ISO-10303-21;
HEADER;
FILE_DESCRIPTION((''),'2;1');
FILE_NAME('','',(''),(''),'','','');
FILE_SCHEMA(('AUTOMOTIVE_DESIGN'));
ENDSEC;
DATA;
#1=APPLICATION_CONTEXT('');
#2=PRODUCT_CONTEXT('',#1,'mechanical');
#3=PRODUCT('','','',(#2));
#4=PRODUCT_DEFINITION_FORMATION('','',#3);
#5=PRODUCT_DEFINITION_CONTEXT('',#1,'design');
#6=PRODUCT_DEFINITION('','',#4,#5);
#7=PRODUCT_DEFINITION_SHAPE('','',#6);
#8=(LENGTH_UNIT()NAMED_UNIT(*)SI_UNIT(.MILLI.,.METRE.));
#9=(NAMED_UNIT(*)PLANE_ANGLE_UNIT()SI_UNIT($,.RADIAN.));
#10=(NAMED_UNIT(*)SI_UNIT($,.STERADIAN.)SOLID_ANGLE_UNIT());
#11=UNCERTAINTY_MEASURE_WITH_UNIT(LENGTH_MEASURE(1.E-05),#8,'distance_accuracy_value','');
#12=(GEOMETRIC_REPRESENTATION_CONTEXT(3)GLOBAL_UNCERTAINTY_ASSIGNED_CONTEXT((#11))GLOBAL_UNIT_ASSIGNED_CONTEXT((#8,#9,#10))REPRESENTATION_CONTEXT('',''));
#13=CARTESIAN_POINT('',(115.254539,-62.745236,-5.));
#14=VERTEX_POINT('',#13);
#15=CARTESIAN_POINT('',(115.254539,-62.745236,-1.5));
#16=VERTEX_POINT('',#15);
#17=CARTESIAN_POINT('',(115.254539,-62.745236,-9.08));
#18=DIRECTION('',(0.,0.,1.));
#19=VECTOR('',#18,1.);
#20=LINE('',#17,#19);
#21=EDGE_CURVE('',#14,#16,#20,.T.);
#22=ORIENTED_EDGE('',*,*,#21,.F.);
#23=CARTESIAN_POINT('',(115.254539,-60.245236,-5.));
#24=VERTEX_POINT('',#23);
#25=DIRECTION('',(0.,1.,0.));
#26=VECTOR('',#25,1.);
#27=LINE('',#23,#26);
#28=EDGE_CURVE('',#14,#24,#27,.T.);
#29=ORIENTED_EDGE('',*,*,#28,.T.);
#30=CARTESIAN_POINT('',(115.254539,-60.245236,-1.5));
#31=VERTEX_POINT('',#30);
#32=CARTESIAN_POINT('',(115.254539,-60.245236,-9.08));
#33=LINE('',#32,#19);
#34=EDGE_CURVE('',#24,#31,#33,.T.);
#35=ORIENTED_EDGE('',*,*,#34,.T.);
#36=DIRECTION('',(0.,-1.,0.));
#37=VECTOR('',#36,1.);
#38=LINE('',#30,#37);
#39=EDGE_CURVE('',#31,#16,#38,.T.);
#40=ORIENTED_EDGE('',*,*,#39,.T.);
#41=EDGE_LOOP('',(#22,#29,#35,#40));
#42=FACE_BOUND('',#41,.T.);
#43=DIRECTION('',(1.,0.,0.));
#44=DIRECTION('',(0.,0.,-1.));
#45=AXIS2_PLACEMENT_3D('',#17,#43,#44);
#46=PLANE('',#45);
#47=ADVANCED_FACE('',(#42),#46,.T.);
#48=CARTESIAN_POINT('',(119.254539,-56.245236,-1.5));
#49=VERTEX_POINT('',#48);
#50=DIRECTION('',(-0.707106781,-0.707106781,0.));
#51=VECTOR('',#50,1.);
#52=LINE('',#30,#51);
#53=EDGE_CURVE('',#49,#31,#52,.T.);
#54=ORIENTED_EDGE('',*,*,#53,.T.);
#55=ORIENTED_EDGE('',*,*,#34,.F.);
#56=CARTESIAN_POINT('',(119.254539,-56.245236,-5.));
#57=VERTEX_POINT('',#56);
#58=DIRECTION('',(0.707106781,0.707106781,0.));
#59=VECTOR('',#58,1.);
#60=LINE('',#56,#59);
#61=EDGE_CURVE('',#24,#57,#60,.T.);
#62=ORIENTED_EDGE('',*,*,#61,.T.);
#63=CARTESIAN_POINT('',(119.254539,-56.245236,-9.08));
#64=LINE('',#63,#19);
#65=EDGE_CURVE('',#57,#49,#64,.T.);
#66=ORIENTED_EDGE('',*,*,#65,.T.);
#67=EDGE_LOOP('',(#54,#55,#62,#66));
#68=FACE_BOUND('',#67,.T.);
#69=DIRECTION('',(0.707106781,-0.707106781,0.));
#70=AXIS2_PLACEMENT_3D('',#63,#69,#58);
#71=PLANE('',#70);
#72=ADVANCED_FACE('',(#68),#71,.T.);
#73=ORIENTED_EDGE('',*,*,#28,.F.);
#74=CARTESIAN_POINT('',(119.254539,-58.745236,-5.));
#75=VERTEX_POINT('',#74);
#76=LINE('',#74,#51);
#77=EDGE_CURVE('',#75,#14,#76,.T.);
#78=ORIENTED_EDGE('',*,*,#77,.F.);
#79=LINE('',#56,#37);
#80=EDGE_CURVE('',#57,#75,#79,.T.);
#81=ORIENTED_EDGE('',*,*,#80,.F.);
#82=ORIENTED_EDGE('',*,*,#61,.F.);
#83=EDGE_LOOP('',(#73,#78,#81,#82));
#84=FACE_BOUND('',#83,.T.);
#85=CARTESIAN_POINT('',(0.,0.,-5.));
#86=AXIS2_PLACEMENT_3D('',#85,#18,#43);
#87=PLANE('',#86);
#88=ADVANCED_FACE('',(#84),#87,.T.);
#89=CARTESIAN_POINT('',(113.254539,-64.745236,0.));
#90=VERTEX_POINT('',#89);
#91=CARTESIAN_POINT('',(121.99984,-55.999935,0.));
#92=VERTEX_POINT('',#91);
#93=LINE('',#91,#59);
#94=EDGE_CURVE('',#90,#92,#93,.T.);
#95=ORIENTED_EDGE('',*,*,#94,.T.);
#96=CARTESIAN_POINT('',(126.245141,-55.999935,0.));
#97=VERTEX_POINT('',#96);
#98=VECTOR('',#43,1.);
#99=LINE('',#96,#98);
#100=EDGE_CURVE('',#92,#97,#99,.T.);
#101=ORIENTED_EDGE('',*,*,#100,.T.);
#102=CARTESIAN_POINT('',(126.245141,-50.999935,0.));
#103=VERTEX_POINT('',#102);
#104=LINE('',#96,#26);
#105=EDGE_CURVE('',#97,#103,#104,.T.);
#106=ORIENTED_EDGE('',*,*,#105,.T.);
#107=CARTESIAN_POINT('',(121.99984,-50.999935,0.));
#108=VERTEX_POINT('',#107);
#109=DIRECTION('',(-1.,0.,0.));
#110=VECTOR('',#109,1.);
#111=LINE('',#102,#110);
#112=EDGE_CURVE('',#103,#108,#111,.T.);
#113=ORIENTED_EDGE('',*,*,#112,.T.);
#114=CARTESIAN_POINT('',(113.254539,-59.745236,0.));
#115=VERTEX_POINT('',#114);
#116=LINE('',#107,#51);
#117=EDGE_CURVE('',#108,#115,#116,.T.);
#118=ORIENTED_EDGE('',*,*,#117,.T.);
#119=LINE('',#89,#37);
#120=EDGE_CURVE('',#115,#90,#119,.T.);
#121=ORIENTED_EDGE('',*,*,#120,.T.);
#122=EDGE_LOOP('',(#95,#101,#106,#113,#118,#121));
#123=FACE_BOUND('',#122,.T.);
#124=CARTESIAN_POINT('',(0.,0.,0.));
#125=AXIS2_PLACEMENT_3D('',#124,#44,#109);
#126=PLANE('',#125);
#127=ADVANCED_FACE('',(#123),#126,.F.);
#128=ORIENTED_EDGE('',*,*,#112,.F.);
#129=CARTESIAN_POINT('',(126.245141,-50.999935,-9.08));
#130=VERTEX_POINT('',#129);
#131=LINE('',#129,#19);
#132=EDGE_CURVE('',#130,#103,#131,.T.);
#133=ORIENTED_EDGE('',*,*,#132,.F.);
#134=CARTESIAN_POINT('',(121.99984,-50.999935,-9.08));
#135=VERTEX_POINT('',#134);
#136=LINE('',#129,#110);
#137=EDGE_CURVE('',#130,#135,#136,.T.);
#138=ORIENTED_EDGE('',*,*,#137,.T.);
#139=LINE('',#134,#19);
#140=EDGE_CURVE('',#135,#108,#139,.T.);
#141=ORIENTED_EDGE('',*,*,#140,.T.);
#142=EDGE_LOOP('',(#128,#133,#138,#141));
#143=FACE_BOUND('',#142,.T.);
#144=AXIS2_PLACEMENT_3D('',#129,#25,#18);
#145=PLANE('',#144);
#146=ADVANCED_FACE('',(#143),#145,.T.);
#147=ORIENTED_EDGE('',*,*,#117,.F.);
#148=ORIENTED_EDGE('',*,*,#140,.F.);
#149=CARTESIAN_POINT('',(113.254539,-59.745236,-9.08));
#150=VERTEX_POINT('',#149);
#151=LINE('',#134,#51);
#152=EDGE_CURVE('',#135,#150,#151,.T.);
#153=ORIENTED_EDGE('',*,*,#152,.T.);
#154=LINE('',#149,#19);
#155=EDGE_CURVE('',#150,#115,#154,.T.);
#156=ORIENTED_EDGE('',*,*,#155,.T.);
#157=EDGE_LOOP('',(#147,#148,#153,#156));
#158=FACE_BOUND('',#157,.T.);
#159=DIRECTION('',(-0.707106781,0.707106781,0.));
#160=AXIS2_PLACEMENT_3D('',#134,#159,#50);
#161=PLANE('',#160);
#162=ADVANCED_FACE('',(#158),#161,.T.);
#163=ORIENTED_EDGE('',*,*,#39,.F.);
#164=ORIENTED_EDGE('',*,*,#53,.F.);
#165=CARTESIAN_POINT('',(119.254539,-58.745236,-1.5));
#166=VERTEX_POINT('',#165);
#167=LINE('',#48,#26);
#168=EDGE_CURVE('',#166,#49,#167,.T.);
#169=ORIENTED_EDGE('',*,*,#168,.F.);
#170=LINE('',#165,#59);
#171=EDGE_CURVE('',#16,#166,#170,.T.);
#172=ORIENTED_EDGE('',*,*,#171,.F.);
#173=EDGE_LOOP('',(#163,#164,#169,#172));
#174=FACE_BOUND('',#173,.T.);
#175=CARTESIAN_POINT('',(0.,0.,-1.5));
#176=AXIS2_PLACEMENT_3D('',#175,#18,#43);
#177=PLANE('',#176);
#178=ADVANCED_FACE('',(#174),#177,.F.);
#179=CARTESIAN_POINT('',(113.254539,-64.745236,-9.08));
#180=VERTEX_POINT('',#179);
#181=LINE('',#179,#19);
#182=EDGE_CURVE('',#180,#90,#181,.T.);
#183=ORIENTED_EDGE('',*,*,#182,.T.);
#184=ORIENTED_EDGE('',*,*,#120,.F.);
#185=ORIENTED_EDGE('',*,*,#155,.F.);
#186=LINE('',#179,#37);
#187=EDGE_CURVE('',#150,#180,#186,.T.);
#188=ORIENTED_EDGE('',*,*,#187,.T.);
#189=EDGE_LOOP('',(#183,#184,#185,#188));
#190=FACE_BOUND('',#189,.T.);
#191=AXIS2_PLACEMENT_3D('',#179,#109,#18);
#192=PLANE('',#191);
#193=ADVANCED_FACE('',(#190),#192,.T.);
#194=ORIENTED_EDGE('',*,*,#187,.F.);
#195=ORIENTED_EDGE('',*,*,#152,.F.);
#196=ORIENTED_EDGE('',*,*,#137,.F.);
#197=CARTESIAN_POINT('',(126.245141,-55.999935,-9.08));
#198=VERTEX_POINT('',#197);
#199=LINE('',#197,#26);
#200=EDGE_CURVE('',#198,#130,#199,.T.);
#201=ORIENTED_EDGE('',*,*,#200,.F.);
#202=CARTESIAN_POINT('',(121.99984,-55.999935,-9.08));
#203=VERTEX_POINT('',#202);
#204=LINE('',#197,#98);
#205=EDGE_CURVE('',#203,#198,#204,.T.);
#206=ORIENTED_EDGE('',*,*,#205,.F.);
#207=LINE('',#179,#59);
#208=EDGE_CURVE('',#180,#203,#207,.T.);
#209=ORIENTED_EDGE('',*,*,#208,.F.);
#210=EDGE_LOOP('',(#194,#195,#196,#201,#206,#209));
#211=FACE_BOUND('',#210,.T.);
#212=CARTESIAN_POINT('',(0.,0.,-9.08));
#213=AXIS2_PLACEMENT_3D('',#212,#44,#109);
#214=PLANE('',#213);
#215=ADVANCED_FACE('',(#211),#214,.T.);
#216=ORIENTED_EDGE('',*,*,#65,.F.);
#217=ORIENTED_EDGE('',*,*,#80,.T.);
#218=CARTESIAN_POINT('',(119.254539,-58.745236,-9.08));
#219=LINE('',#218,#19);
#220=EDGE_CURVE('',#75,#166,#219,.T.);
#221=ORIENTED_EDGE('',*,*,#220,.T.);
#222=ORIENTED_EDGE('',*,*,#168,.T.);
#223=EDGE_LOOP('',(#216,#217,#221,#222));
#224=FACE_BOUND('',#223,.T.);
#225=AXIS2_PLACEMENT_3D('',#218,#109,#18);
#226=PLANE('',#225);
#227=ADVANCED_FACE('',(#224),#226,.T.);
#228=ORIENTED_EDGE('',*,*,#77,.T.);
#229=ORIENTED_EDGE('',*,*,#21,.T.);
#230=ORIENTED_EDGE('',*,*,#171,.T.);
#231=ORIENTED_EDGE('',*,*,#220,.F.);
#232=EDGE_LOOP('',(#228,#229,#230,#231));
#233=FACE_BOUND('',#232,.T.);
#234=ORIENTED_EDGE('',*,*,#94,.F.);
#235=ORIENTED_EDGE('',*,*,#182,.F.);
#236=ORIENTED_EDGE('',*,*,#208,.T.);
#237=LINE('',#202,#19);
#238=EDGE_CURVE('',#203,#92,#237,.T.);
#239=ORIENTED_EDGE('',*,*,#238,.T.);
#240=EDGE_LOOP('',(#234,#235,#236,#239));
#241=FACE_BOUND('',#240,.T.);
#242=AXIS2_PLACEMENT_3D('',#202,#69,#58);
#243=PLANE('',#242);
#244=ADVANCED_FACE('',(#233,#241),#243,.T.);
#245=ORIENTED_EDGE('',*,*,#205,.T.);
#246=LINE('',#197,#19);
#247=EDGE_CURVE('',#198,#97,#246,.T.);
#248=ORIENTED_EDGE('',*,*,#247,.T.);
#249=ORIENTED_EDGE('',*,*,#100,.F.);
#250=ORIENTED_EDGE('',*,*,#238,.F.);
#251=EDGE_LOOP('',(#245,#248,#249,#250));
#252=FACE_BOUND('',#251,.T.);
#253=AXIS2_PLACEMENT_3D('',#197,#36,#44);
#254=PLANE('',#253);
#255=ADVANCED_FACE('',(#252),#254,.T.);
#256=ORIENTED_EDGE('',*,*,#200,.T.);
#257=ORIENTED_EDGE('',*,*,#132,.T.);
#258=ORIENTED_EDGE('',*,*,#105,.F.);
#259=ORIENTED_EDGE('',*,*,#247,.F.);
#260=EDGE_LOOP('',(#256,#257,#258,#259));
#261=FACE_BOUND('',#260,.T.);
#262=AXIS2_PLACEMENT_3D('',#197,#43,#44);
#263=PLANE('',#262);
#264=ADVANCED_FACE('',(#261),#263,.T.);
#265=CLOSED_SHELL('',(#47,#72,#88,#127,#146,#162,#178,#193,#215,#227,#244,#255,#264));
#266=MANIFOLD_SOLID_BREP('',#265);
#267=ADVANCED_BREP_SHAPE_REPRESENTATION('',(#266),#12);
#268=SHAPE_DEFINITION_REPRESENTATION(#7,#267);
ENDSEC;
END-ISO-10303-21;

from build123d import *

# Parameters (mm, degrees)
SALIENTE_EXTRUIR1_DEPTH = 9.08
SALIENTE_EXTRUIR4_DEPTH = 1.5
SALIENTE_EXTRUIR5_DEPTH = 4.08


with BuildPart() as part:
    # Croquis1 → Saliente-Extruir1 (new body)
    with BuildSketch(Plane.XY):
        Polygon((126.24514053, -55.999935), (126.24514053, -50.999935), (121.99984, -50.999935), (113.25453947, -59.74523553), (113.25453947, -64.74523553), (115.25453947, -62.74523553), (115.25453947, -60.24523553), (119.25453947, -56.24523553), (119.25453947, -58.74523553), (121.99984, -55.999935), align=None)
    extrude(amount=-SALIENTE_EXTRUIR1_DEPTH)

    # Croquis4 → Saliente-Extruir4 (add)
    with BuildSketch(Plane.XY):
        Polygon((115.25453947, -60.24523553), (115.25453947, -62.74523553), (119.25453947, -58.74523553), (119.25453947, -56.24523553), align=None)
    extrude(amount=-SALIENTE_EXTRUIR4_DEPTH)

    # Croquis5 → Saliente-Extruir5 (add)
    with BuildSketch(Plane(origin=(0, 0, -9.08), x_dir=(-1, 0, 0), z_dir=(0, 0, -1))):
        Polygon((-115.25453947, -60.24523553), (-115.25453947, -62.74523553), (-119.25453947, -58.74523553), (-119.25453947, -56.24523553), align=None)
    extrude(amount=-SALIENTE_EXTRUIR5_DEPTH)


solid = part.part
